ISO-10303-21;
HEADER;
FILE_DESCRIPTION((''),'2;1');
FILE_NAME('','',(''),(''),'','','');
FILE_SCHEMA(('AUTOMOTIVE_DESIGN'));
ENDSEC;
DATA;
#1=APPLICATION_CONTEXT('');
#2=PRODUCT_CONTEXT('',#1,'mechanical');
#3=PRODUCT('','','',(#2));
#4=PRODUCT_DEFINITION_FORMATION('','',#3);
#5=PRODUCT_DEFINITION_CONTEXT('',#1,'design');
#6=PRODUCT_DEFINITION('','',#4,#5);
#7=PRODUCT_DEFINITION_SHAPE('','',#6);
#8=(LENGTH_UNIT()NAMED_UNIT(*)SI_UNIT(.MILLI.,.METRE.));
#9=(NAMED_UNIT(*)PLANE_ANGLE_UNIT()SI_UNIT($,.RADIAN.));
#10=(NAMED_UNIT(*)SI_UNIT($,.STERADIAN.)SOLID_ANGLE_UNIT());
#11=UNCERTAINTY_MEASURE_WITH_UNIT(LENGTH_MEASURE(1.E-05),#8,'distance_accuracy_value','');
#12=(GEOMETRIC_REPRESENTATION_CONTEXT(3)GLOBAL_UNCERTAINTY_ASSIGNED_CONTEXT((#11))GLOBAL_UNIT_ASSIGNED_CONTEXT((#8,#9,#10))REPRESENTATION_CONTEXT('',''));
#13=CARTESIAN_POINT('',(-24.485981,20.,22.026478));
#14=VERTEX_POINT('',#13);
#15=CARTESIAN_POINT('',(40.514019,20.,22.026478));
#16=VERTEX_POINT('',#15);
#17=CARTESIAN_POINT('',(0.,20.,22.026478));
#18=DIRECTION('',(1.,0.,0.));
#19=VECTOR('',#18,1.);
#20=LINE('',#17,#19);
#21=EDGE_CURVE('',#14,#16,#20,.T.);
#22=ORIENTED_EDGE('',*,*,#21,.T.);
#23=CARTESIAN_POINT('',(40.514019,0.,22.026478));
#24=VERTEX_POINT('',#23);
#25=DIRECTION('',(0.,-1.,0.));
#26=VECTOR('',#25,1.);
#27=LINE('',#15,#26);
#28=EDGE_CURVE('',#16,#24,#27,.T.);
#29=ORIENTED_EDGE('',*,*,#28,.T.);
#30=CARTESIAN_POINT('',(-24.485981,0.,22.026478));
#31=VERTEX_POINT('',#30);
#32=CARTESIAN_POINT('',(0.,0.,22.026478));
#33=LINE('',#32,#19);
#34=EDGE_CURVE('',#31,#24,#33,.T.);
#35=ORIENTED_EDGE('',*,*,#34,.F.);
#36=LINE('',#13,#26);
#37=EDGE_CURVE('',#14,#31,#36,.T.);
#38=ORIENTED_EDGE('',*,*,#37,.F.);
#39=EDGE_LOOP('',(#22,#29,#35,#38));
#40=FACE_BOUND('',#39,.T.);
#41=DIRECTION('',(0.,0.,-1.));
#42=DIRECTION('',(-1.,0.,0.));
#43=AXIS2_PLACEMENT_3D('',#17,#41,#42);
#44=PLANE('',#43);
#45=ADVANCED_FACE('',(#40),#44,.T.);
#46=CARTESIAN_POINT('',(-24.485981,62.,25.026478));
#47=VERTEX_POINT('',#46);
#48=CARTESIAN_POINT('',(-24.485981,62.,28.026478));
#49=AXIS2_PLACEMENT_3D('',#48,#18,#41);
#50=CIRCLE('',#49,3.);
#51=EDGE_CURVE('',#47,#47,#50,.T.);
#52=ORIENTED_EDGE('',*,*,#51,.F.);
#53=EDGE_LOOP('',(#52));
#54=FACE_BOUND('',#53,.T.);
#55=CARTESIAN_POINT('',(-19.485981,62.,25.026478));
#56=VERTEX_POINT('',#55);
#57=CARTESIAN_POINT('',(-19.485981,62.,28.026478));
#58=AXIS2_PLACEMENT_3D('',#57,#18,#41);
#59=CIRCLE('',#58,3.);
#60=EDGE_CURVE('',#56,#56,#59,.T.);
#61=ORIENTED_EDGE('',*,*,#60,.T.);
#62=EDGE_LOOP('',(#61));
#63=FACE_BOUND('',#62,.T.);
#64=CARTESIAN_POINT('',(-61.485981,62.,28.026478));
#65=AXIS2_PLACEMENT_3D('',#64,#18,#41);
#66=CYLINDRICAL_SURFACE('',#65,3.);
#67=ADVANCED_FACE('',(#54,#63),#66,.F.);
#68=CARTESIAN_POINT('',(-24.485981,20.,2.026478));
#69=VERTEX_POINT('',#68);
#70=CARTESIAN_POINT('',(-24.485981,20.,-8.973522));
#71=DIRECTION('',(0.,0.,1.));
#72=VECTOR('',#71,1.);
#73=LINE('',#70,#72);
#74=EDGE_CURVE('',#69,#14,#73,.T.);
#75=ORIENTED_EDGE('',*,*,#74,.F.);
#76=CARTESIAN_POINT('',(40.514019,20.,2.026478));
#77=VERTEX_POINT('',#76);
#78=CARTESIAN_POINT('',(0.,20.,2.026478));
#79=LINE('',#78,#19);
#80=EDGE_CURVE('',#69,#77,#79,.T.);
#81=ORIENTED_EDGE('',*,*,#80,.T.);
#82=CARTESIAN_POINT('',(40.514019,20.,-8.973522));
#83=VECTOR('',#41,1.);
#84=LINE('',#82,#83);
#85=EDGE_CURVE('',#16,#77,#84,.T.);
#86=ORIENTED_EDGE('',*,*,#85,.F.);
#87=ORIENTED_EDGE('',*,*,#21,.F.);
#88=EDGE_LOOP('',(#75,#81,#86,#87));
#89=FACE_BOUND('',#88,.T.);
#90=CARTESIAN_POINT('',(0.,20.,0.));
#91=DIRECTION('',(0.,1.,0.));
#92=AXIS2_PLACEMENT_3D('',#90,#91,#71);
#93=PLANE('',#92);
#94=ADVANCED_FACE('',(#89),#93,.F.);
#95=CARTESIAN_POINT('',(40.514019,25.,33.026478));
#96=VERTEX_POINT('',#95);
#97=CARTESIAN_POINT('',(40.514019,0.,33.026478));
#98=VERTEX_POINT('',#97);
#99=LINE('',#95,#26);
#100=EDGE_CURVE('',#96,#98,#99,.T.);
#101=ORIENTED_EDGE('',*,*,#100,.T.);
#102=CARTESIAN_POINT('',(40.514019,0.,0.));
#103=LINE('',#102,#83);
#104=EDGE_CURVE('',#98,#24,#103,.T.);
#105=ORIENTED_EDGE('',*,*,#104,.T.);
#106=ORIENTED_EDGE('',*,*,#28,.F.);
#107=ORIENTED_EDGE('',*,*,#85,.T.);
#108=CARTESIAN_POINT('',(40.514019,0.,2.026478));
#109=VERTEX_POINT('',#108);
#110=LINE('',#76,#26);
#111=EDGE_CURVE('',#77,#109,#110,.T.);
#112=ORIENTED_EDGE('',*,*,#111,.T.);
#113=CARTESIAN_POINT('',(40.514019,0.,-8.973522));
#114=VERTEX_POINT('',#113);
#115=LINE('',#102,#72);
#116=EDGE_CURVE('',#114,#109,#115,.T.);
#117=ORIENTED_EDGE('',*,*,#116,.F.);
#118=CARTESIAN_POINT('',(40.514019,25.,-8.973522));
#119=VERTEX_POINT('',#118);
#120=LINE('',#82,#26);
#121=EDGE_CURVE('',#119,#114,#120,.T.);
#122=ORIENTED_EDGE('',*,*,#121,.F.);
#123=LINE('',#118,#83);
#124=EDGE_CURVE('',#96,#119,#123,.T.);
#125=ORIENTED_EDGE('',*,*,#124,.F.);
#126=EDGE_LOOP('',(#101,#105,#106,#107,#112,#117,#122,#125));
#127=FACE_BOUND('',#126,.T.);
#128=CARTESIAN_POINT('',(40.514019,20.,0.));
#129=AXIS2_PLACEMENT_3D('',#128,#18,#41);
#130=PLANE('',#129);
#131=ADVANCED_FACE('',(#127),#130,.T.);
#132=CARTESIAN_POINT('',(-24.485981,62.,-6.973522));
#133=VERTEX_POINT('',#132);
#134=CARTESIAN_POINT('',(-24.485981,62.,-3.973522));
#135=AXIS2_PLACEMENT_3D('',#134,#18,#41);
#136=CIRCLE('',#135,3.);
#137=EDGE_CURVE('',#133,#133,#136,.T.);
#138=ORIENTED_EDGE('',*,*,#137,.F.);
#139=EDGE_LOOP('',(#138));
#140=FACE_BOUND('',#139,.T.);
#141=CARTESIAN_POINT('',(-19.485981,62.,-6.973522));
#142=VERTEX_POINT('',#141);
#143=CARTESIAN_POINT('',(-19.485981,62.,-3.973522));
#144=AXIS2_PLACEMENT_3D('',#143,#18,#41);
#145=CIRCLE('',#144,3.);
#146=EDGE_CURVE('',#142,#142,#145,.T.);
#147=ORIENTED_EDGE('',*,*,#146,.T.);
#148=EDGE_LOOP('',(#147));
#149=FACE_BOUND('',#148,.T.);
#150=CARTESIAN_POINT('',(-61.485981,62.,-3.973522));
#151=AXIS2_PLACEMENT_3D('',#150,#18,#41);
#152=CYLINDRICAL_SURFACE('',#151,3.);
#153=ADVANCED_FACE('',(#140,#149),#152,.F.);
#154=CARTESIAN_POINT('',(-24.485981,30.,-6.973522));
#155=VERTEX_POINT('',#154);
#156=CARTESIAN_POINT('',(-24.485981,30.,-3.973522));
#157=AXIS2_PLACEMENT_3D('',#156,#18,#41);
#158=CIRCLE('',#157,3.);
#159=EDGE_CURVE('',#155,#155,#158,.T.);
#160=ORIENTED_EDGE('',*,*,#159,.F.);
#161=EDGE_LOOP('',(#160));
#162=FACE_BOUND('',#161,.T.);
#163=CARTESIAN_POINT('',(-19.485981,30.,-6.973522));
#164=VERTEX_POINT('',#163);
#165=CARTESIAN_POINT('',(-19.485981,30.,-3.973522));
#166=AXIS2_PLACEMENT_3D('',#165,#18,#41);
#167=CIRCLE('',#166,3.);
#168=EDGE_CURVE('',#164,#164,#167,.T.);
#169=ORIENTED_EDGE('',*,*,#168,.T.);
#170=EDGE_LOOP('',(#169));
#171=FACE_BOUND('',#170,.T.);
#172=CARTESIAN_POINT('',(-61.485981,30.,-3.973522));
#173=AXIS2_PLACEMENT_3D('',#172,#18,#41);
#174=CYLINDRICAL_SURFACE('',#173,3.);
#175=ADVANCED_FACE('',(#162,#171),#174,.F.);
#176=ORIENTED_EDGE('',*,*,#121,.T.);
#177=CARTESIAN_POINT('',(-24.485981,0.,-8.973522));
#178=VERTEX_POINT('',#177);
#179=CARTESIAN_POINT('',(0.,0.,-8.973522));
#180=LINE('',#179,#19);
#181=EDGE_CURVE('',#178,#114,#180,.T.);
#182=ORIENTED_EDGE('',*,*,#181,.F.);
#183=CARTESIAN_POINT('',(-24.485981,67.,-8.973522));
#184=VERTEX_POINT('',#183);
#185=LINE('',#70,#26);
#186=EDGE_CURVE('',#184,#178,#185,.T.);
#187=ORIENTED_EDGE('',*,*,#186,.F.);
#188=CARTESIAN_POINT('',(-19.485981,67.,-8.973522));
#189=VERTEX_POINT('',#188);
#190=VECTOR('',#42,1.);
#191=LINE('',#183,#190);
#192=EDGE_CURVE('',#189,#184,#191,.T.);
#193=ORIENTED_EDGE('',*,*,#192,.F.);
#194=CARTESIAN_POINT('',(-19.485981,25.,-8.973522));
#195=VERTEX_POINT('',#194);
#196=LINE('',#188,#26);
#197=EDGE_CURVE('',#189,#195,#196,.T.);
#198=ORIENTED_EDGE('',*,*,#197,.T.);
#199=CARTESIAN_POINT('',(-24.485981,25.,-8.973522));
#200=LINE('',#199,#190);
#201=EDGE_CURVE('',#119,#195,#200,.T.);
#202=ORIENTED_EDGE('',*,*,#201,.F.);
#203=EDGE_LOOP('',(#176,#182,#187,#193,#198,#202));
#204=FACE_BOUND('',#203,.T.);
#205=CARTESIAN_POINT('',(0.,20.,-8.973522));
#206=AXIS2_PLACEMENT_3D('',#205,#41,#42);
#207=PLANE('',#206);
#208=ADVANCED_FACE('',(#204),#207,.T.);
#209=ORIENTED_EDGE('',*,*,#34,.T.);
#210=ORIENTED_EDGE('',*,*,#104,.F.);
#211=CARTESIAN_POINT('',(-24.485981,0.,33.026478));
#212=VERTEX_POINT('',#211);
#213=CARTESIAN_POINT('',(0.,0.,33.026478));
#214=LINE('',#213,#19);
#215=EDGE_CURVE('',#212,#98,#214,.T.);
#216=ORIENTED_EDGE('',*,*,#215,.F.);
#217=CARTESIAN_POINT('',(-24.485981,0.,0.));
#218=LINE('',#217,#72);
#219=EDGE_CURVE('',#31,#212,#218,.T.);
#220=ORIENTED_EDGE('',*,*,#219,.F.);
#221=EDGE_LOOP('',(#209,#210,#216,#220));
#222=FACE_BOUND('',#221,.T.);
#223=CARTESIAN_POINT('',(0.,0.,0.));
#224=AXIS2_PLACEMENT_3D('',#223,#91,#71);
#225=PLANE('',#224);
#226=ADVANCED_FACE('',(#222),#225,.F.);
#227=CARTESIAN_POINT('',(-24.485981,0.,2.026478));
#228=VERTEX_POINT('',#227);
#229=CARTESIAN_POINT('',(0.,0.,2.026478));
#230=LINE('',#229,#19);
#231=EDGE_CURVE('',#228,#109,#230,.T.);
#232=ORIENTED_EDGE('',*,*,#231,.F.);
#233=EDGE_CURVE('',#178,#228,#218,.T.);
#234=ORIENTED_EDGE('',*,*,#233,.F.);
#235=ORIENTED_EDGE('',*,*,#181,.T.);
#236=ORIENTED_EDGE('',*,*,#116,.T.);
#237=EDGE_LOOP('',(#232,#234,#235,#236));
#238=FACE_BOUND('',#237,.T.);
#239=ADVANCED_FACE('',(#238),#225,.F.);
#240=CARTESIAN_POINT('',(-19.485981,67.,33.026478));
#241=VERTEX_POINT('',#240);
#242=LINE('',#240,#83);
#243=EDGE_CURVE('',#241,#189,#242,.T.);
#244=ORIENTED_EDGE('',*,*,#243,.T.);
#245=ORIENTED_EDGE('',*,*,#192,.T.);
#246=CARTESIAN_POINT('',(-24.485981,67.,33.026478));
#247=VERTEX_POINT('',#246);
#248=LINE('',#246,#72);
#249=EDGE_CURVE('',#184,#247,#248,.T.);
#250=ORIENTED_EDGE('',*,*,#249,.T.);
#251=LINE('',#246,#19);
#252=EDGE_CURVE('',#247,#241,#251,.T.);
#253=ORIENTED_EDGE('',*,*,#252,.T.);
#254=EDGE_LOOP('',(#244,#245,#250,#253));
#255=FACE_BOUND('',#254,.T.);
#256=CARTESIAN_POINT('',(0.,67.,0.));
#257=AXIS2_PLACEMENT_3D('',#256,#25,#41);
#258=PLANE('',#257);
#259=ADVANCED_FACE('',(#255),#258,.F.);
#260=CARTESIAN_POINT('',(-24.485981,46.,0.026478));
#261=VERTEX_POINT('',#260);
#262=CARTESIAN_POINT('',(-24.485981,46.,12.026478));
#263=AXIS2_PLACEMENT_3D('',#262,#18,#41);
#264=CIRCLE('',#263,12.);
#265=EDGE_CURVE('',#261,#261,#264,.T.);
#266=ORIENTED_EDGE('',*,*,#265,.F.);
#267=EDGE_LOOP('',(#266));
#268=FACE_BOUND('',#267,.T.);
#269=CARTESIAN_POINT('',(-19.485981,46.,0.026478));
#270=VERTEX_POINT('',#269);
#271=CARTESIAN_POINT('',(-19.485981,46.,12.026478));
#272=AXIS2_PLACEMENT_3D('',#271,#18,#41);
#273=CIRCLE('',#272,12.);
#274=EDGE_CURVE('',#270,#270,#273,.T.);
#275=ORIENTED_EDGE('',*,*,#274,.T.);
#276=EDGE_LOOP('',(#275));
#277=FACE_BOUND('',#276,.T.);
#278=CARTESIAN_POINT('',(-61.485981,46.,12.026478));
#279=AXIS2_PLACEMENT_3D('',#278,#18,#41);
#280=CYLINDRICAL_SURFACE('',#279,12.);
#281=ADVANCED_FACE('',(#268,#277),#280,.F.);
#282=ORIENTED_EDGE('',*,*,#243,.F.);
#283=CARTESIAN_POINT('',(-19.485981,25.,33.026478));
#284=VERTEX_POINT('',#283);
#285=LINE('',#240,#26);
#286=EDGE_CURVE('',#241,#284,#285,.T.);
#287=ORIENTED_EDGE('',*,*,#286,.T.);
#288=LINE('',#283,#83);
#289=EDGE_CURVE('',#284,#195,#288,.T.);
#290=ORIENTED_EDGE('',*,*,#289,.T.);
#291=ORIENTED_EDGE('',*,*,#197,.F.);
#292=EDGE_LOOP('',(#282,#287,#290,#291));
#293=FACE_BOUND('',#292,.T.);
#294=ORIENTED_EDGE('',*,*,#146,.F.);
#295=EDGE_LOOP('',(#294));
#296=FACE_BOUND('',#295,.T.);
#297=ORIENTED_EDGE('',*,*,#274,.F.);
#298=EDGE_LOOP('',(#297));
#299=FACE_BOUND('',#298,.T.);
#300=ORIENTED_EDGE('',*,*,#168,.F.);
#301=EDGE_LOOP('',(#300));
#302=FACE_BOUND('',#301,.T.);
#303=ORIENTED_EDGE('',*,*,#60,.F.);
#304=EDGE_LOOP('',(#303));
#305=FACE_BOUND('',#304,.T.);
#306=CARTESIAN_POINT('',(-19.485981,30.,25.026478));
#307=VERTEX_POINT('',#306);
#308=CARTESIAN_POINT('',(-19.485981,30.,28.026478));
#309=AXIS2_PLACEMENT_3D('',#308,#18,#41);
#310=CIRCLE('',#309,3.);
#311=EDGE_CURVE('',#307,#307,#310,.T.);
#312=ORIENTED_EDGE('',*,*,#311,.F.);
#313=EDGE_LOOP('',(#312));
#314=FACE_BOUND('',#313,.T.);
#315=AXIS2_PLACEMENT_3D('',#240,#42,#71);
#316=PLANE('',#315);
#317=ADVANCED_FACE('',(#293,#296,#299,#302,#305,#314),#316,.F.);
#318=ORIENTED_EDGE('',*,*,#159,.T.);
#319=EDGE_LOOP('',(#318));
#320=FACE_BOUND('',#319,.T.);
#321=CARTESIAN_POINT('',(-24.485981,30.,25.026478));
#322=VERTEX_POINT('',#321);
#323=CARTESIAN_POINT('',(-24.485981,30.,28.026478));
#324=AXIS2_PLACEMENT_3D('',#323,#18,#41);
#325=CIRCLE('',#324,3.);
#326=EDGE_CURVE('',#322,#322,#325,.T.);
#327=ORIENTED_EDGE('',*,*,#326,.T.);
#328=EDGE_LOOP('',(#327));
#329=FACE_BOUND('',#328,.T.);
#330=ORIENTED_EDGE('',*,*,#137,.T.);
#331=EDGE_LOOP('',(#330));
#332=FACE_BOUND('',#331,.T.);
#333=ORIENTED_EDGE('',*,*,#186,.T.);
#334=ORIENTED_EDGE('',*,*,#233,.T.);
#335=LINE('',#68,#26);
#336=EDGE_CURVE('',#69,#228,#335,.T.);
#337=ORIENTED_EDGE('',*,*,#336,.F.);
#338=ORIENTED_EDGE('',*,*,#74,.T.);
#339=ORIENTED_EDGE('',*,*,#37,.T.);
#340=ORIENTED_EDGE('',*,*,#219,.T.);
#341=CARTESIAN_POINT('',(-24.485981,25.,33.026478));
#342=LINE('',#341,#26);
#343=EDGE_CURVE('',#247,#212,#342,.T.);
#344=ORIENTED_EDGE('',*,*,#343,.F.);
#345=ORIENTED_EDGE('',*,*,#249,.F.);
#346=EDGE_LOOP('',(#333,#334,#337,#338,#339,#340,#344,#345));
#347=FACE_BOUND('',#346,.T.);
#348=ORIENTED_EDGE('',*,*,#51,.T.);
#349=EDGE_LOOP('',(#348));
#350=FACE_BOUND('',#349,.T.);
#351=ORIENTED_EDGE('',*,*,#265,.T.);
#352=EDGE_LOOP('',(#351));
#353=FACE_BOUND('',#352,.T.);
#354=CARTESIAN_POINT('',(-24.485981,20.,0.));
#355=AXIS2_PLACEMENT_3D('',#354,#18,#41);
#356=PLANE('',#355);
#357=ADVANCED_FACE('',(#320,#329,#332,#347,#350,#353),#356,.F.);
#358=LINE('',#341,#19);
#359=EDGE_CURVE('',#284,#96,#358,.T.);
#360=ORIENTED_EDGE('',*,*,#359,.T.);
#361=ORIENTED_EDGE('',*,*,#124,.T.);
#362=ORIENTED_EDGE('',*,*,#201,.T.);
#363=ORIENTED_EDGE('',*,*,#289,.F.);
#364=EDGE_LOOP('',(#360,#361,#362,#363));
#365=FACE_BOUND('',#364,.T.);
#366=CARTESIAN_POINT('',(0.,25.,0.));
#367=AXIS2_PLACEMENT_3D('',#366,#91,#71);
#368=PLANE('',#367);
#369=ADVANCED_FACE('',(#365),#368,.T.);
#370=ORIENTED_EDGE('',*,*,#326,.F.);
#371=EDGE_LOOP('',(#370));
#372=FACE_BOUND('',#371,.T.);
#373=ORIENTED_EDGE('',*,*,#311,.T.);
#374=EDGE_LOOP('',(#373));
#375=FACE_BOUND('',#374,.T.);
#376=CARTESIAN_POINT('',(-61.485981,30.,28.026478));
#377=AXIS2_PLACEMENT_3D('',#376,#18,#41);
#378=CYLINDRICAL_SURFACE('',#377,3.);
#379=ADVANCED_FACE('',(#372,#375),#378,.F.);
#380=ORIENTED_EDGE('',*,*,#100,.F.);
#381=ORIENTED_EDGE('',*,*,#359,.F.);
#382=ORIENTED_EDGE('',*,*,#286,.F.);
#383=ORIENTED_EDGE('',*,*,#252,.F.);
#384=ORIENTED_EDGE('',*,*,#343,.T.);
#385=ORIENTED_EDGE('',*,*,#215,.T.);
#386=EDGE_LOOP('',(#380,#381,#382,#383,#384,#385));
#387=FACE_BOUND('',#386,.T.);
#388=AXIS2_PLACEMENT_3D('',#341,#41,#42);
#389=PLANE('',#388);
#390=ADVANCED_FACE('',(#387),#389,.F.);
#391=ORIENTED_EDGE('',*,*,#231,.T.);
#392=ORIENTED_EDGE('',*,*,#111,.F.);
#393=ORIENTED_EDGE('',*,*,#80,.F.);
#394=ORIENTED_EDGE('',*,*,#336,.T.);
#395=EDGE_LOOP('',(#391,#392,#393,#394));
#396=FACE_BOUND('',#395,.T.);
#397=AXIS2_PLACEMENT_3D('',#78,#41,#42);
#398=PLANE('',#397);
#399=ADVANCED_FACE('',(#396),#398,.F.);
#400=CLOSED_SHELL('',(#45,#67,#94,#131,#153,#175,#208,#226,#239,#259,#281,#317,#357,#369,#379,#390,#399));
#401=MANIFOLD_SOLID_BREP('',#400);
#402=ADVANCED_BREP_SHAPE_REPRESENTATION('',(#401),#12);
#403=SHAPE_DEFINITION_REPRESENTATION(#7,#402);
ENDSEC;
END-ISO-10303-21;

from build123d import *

# Parameters (mm, degrees)
SKETCH_1_W          = 65
SKETCH_1_H          = 11
EXTRUDE_1_DEPTH     = 20
EXTRUDE_1_2_DEPTH   = 20
SKETCH_2_W          = 65
SKETCH_2_H          = 42
EXTRUDE_2_DEPTH     = 5
SKETCH_3_W          = 5
SKETCH_3_H          = 42
EXTRUDE_3_DEPTH     = 42
SKETCH_5_R          = 12
SKETCH_5_R_2        = 3
CUT_EXTRUDE_3_DEPTH = 42


with BuildPart() as part:
    # 草图1 → 凸台-拉伸1 (new body)
    with BuildSketch(Plane(origin=(0, 0, 0), x_dir=(1, 0, 0), z_dir=(0, 1, 0))):
        with Locations((8.014018692, 3.47352182)):
            Rectangle(SKETCH_1_W, SKETCH_1_H)
    extrude(amount=EXTRUDE_1_DEPTH)



with BuildPart() as body_2:
    # 草图1 → Extrude 1 2 (new body)
    with BuildSketch(Plane(origin=(0, 0, 0), x_dir=(1, 0, 0), z_dir=(0, 1, 0))):
        with Locations((8.014018692, -27.52647818)):
            Rectangle(SKETCH_1_W, SKETCH_1_H)
    extrude(amount=EXTRUDE_1_2_DEPTH)


with BuildPart() as part_1:
    add(part.part)

    add(body_2.part)  # 凸台-拉伸2 merges body 2
    # 草图2 → 凸台-拉伸2 (add)
    with BuildSketch(Plane(origin=(0, 20, 0), x_dir=(1, 0, 0), z_dir=(0, 1, 0))):
        with Locations((8.014018692, -12.02647818)):
            Rectangle(SKETCH_2_W, SKETCH_2_H)
    extrude(amount=EXTRUDE_2_DEPTH)

    # 草图3 → 凸台-拉伸3 (add)
    with BuildSketch(Plane(origin=(0, 25, 0), x_dir=(1, 0, 0), z_dir=(0, 1, 0))):
        with Locations((-21.985981308, -12.02647818)):
            Rectangle(SKETCH_3_W, SKETCH_3_H)
    extrude(amount=EXTRUDE_3_DEPTH)

    # 草图5 → 切除-拉伸3 (cut)
    with BuildSketch(Plane(origin=(-19.485981308, 0, 0), x_dir=(0, 0, -1), z_dir=(1, 0, 0))):
        with Locations((-12.02647818, 46)):
            Circle(SKETCH_5_R)
        with Locations((-28.02647818, 62)):
            Circle(SKETCH_5_R_2)
        with Locations((3.97352182, 62)):
            Circle(SKETCH_5_R_2)
        with Locations((3.97352182, 30)):
            Circle(SKETCH_5_R_2)
        with Locations((-28.02647818, 30)):
            Circle(SKETCH_5_R_2)
    extrude(amount=-CUT_EXTRUDE_3_DEPTH, mode=Mode.SUBTRACT)


solid = part_1.part
